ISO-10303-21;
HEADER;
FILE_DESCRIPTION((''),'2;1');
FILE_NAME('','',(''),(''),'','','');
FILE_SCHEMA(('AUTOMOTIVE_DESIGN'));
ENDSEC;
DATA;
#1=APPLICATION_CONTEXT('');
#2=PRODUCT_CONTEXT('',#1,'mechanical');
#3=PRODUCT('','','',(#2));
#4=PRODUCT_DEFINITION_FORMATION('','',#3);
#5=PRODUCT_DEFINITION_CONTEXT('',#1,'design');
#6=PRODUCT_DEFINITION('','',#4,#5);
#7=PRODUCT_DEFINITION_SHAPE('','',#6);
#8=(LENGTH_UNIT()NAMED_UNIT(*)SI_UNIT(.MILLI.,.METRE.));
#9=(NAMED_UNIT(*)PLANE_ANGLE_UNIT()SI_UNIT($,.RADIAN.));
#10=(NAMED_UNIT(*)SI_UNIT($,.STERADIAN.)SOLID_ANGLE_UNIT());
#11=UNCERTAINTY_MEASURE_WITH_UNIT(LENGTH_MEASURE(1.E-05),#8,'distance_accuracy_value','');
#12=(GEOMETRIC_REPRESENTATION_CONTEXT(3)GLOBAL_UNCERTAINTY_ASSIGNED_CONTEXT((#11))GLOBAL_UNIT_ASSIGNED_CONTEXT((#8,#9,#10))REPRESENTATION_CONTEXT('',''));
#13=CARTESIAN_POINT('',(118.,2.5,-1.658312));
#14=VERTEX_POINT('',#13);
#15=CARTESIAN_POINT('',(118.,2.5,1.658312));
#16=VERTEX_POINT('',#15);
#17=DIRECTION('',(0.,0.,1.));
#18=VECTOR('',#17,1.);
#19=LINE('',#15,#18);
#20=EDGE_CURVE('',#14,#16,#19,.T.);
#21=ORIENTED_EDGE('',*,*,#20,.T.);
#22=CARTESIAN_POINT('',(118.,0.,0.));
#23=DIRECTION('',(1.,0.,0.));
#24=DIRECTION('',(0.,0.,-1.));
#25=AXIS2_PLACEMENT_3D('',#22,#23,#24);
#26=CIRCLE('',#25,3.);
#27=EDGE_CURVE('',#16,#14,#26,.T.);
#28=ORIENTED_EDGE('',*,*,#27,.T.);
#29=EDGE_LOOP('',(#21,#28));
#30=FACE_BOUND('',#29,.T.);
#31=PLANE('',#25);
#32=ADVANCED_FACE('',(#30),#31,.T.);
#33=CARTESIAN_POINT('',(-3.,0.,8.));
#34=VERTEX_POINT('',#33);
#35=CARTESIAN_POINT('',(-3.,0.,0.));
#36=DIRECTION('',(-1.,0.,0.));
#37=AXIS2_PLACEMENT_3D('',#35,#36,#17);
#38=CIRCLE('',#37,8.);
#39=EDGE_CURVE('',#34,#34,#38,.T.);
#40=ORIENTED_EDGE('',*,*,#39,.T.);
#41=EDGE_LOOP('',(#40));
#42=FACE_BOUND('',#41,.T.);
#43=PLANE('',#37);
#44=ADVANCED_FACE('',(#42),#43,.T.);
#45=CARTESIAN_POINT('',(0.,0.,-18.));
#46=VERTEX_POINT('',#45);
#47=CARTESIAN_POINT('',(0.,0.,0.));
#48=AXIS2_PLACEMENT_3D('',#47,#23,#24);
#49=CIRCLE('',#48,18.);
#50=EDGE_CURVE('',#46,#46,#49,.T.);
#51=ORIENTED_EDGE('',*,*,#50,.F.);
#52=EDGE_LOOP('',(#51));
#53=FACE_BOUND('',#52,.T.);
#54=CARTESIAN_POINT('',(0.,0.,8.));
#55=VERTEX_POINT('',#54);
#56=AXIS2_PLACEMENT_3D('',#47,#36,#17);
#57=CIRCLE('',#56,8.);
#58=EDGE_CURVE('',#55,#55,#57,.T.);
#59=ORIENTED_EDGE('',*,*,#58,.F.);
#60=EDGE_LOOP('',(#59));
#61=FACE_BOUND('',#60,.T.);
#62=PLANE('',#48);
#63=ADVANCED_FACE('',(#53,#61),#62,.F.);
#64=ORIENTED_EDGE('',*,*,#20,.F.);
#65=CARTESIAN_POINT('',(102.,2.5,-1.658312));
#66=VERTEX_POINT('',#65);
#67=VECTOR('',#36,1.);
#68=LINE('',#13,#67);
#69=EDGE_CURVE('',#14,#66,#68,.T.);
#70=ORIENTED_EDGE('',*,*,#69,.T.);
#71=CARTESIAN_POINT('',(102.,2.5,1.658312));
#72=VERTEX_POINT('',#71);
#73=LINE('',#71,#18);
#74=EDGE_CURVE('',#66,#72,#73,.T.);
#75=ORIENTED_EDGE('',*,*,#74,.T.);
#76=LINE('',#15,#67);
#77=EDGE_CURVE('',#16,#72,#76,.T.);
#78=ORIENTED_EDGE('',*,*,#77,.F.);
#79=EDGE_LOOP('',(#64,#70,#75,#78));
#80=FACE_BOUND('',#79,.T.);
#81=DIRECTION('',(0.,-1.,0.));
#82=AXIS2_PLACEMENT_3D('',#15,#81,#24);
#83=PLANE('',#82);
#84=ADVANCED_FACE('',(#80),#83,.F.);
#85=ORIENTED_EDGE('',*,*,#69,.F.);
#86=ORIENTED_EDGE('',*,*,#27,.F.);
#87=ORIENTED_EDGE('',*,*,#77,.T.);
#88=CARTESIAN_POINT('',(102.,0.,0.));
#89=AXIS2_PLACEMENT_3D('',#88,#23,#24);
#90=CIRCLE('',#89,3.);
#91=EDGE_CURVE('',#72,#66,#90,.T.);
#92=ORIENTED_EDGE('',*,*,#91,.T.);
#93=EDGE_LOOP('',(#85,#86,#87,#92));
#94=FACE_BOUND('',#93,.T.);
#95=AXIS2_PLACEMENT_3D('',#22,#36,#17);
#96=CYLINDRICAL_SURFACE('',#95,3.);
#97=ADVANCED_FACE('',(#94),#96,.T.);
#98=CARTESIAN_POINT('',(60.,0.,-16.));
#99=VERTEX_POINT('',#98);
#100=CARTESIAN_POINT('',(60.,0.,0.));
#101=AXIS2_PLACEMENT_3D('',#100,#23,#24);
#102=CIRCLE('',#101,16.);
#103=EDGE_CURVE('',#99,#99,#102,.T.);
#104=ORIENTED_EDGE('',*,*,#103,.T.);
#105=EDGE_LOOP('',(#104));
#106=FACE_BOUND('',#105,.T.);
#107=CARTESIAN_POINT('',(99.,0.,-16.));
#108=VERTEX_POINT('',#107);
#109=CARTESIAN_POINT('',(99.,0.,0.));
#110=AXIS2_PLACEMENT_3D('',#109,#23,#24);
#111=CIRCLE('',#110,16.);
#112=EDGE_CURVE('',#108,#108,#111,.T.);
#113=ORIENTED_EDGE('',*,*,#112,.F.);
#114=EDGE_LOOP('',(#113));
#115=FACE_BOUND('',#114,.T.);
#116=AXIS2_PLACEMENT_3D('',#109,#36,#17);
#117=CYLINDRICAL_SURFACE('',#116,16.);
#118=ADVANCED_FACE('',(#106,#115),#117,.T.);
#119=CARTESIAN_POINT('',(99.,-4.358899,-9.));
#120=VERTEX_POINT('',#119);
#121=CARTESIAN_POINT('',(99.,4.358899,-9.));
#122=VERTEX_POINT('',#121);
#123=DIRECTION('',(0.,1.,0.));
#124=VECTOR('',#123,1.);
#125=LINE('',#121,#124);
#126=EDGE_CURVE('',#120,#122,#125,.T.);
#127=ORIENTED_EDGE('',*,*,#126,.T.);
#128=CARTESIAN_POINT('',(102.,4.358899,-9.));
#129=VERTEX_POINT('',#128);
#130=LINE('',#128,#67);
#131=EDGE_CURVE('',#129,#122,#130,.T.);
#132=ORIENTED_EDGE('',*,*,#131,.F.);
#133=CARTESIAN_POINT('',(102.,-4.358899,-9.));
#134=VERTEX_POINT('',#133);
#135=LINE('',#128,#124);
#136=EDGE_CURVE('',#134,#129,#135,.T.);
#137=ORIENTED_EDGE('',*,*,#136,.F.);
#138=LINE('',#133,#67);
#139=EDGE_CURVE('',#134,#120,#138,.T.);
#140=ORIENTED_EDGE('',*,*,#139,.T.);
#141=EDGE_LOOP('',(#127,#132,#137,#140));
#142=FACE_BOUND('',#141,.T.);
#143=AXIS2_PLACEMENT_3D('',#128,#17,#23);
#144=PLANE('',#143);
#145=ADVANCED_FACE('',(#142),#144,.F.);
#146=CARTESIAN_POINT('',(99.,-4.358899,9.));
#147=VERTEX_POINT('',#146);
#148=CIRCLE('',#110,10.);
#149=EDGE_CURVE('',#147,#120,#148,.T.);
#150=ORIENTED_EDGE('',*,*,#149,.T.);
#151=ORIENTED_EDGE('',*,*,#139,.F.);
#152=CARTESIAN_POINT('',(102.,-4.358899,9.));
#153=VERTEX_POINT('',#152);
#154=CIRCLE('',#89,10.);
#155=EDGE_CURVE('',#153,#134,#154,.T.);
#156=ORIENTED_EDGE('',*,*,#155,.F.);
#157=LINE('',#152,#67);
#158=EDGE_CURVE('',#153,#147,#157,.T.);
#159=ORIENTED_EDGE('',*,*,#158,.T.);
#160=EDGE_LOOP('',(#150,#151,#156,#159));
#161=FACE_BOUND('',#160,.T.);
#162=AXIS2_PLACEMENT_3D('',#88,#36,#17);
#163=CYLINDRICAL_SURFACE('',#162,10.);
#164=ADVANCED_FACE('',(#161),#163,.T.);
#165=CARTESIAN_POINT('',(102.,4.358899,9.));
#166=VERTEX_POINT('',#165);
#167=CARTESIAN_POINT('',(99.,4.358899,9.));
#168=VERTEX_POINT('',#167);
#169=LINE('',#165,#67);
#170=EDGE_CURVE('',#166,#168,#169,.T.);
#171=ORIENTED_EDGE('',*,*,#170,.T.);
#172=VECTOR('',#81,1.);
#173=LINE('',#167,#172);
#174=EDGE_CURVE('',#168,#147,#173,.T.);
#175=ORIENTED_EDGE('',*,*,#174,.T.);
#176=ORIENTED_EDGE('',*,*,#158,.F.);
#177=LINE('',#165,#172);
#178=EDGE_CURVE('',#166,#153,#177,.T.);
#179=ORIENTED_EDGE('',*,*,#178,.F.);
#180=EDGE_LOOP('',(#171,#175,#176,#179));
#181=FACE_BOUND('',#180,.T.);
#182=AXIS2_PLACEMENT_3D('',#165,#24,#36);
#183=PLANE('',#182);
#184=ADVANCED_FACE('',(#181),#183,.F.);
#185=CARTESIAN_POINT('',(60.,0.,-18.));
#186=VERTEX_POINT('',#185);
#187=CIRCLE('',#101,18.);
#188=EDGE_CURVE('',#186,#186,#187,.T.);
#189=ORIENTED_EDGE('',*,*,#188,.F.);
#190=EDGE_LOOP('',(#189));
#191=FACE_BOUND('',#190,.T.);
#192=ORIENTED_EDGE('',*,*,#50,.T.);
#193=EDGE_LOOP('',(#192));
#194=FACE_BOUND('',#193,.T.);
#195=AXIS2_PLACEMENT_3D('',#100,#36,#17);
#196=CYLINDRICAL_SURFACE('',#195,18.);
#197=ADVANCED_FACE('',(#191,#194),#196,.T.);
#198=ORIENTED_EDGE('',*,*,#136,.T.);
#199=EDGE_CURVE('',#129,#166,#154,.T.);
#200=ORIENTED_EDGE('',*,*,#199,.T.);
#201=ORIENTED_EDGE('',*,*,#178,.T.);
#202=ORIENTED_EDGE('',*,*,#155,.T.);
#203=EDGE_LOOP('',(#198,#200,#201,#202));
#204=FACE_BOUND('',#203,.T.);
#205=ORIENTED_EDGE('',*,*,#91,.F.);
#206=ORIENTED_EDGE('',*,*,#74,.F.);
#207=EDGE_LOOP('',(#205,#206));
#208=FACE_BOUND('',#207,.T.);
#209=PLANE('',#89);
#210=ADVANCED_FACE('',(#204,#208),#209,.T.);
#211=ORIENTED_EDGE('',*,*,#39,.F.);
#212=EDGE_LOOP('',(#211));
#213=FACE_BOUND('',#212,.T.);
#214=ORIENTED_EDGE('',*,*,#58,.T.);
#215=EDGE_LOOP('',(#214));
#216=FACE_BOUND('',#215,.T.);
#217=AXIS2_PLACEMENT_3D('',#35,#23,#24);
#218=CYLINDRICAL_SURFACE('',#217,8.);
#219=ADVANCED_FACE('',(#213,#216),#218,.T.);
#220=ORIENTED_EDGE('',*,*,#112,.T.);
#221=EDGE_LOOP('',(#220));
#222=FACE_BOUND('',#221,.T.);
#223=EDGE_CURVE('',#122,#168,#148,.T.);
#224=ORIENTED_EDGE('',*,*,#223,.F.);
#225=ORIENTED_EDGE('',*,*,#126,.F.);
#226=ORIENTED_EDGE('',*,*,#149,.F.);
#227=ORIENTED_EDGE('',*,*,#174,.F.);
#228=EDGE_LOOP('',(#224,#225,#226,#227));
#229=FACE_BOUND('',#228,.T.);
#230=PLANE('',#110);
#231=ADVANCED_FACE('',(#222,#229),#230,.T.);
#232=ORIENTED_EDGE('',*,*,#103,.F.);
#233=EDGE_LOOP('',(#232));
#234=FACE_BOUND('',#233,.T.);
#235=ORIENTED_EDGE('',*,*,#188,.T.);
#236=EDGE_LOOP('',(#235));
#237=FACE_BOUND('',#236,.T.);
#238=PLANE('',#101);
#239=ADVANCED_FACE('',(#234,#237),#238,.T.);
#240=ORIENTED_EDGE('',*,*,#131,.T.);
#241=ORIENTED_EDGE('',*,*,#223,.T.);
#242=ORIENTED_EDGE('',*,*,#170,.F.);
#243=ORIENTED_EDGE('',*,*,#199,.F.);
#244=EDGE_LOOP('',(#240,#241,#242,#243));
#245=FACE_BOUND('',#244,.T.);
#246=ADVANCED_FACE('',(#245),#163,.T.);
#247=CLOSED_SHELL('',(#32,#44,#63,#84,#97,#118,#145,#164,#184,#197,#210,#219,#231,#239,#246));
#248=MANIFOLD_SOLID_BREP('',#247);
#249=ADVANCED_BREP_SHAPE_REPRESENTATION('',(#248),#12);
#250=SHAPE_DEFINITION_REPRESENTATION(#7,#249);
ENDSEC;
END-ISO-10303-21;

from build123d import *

# Parameters (mm, degrees)
SKETCH1_R           = 18
BOSS_EXTRUDE1_DEPTH = 60
SKETCH2_R           = 8
BOSS_EXTRUDE2_DEPTH = 3
SKETCH3_R           = 16
BOSS_EXTRUDE3_DEPTH = 39
BOSS_EXTRUDE4_DEPTH = 3
BOSS_EXTRUDE5_DEPTH = 16


with BuildPart() as part:
    # Sketch1 → Boss-Extrude1 (new body)
    with BuildSketch(Plane(origin=(0, 0, 0), x_dir=(0, 0, -1), z_dir=(1, 0, 0))):
        Circle(SKETCH1_R)
    extrude(amount=BOSS_EXTRUDE1_DEPTH)

    # Sketch2 → Boss-Extrude2 (add)
    with BuildSketch(Plane.ZY):
        Circle(SKETCH2_R)
    extrude(amount=BOSS_EXTRUDE2_DEPTH)

    # Sketch3 → Boss-Extrude3 (add)
    with BuildSketch(Plane(origin=(60, 0, 0), x_dir=(0, 0, -1), z_dir=(1, 0, 0))):
        Circle(SKETCH3_R)
    extrude(amount=BOSS_EXTRUDE3_DEPTH)

    # Sketch4 → Boss-Extrude4 (add)
    with BuildSketch(Plane(origin=(99, 0, 0), x_dir=(0, 0, -1), z_dir=(1, 0, 0))):
        with BuildLine():
            Line((9, 4.358898944), (9, -4.358898944))
            ThreePointArc((9, -4.358898944), (0, -10), (-9, -4.358898944))
            Line((-9, -4.358898944), (-9, 4.358898944))
            ThreePointArc((-9, 4.358898944), (0, 10), (9, 4.358898944))
        make_face()
    extrude(amount=BOSS_EXTRUDE4_DEPTH)

    # Sketch5 → Boss-Extrude5 (add)
    with BuildSketch(Plane(origin=(102, 0, 0), x_dir=(0, 0, -1), z_dir=(1, 0, 0))):
        with BuildLine():
            Line((-1.658312395, 2.5), (1.658312395, 2.5))
            ThreePointArc((1.658312395, 2.5), (0, -3), (-1.658312395, 2.5))
        make_face()
    extrude(amount=BOSS_EXTRUDE5_DEPTH)


solid = part.part
